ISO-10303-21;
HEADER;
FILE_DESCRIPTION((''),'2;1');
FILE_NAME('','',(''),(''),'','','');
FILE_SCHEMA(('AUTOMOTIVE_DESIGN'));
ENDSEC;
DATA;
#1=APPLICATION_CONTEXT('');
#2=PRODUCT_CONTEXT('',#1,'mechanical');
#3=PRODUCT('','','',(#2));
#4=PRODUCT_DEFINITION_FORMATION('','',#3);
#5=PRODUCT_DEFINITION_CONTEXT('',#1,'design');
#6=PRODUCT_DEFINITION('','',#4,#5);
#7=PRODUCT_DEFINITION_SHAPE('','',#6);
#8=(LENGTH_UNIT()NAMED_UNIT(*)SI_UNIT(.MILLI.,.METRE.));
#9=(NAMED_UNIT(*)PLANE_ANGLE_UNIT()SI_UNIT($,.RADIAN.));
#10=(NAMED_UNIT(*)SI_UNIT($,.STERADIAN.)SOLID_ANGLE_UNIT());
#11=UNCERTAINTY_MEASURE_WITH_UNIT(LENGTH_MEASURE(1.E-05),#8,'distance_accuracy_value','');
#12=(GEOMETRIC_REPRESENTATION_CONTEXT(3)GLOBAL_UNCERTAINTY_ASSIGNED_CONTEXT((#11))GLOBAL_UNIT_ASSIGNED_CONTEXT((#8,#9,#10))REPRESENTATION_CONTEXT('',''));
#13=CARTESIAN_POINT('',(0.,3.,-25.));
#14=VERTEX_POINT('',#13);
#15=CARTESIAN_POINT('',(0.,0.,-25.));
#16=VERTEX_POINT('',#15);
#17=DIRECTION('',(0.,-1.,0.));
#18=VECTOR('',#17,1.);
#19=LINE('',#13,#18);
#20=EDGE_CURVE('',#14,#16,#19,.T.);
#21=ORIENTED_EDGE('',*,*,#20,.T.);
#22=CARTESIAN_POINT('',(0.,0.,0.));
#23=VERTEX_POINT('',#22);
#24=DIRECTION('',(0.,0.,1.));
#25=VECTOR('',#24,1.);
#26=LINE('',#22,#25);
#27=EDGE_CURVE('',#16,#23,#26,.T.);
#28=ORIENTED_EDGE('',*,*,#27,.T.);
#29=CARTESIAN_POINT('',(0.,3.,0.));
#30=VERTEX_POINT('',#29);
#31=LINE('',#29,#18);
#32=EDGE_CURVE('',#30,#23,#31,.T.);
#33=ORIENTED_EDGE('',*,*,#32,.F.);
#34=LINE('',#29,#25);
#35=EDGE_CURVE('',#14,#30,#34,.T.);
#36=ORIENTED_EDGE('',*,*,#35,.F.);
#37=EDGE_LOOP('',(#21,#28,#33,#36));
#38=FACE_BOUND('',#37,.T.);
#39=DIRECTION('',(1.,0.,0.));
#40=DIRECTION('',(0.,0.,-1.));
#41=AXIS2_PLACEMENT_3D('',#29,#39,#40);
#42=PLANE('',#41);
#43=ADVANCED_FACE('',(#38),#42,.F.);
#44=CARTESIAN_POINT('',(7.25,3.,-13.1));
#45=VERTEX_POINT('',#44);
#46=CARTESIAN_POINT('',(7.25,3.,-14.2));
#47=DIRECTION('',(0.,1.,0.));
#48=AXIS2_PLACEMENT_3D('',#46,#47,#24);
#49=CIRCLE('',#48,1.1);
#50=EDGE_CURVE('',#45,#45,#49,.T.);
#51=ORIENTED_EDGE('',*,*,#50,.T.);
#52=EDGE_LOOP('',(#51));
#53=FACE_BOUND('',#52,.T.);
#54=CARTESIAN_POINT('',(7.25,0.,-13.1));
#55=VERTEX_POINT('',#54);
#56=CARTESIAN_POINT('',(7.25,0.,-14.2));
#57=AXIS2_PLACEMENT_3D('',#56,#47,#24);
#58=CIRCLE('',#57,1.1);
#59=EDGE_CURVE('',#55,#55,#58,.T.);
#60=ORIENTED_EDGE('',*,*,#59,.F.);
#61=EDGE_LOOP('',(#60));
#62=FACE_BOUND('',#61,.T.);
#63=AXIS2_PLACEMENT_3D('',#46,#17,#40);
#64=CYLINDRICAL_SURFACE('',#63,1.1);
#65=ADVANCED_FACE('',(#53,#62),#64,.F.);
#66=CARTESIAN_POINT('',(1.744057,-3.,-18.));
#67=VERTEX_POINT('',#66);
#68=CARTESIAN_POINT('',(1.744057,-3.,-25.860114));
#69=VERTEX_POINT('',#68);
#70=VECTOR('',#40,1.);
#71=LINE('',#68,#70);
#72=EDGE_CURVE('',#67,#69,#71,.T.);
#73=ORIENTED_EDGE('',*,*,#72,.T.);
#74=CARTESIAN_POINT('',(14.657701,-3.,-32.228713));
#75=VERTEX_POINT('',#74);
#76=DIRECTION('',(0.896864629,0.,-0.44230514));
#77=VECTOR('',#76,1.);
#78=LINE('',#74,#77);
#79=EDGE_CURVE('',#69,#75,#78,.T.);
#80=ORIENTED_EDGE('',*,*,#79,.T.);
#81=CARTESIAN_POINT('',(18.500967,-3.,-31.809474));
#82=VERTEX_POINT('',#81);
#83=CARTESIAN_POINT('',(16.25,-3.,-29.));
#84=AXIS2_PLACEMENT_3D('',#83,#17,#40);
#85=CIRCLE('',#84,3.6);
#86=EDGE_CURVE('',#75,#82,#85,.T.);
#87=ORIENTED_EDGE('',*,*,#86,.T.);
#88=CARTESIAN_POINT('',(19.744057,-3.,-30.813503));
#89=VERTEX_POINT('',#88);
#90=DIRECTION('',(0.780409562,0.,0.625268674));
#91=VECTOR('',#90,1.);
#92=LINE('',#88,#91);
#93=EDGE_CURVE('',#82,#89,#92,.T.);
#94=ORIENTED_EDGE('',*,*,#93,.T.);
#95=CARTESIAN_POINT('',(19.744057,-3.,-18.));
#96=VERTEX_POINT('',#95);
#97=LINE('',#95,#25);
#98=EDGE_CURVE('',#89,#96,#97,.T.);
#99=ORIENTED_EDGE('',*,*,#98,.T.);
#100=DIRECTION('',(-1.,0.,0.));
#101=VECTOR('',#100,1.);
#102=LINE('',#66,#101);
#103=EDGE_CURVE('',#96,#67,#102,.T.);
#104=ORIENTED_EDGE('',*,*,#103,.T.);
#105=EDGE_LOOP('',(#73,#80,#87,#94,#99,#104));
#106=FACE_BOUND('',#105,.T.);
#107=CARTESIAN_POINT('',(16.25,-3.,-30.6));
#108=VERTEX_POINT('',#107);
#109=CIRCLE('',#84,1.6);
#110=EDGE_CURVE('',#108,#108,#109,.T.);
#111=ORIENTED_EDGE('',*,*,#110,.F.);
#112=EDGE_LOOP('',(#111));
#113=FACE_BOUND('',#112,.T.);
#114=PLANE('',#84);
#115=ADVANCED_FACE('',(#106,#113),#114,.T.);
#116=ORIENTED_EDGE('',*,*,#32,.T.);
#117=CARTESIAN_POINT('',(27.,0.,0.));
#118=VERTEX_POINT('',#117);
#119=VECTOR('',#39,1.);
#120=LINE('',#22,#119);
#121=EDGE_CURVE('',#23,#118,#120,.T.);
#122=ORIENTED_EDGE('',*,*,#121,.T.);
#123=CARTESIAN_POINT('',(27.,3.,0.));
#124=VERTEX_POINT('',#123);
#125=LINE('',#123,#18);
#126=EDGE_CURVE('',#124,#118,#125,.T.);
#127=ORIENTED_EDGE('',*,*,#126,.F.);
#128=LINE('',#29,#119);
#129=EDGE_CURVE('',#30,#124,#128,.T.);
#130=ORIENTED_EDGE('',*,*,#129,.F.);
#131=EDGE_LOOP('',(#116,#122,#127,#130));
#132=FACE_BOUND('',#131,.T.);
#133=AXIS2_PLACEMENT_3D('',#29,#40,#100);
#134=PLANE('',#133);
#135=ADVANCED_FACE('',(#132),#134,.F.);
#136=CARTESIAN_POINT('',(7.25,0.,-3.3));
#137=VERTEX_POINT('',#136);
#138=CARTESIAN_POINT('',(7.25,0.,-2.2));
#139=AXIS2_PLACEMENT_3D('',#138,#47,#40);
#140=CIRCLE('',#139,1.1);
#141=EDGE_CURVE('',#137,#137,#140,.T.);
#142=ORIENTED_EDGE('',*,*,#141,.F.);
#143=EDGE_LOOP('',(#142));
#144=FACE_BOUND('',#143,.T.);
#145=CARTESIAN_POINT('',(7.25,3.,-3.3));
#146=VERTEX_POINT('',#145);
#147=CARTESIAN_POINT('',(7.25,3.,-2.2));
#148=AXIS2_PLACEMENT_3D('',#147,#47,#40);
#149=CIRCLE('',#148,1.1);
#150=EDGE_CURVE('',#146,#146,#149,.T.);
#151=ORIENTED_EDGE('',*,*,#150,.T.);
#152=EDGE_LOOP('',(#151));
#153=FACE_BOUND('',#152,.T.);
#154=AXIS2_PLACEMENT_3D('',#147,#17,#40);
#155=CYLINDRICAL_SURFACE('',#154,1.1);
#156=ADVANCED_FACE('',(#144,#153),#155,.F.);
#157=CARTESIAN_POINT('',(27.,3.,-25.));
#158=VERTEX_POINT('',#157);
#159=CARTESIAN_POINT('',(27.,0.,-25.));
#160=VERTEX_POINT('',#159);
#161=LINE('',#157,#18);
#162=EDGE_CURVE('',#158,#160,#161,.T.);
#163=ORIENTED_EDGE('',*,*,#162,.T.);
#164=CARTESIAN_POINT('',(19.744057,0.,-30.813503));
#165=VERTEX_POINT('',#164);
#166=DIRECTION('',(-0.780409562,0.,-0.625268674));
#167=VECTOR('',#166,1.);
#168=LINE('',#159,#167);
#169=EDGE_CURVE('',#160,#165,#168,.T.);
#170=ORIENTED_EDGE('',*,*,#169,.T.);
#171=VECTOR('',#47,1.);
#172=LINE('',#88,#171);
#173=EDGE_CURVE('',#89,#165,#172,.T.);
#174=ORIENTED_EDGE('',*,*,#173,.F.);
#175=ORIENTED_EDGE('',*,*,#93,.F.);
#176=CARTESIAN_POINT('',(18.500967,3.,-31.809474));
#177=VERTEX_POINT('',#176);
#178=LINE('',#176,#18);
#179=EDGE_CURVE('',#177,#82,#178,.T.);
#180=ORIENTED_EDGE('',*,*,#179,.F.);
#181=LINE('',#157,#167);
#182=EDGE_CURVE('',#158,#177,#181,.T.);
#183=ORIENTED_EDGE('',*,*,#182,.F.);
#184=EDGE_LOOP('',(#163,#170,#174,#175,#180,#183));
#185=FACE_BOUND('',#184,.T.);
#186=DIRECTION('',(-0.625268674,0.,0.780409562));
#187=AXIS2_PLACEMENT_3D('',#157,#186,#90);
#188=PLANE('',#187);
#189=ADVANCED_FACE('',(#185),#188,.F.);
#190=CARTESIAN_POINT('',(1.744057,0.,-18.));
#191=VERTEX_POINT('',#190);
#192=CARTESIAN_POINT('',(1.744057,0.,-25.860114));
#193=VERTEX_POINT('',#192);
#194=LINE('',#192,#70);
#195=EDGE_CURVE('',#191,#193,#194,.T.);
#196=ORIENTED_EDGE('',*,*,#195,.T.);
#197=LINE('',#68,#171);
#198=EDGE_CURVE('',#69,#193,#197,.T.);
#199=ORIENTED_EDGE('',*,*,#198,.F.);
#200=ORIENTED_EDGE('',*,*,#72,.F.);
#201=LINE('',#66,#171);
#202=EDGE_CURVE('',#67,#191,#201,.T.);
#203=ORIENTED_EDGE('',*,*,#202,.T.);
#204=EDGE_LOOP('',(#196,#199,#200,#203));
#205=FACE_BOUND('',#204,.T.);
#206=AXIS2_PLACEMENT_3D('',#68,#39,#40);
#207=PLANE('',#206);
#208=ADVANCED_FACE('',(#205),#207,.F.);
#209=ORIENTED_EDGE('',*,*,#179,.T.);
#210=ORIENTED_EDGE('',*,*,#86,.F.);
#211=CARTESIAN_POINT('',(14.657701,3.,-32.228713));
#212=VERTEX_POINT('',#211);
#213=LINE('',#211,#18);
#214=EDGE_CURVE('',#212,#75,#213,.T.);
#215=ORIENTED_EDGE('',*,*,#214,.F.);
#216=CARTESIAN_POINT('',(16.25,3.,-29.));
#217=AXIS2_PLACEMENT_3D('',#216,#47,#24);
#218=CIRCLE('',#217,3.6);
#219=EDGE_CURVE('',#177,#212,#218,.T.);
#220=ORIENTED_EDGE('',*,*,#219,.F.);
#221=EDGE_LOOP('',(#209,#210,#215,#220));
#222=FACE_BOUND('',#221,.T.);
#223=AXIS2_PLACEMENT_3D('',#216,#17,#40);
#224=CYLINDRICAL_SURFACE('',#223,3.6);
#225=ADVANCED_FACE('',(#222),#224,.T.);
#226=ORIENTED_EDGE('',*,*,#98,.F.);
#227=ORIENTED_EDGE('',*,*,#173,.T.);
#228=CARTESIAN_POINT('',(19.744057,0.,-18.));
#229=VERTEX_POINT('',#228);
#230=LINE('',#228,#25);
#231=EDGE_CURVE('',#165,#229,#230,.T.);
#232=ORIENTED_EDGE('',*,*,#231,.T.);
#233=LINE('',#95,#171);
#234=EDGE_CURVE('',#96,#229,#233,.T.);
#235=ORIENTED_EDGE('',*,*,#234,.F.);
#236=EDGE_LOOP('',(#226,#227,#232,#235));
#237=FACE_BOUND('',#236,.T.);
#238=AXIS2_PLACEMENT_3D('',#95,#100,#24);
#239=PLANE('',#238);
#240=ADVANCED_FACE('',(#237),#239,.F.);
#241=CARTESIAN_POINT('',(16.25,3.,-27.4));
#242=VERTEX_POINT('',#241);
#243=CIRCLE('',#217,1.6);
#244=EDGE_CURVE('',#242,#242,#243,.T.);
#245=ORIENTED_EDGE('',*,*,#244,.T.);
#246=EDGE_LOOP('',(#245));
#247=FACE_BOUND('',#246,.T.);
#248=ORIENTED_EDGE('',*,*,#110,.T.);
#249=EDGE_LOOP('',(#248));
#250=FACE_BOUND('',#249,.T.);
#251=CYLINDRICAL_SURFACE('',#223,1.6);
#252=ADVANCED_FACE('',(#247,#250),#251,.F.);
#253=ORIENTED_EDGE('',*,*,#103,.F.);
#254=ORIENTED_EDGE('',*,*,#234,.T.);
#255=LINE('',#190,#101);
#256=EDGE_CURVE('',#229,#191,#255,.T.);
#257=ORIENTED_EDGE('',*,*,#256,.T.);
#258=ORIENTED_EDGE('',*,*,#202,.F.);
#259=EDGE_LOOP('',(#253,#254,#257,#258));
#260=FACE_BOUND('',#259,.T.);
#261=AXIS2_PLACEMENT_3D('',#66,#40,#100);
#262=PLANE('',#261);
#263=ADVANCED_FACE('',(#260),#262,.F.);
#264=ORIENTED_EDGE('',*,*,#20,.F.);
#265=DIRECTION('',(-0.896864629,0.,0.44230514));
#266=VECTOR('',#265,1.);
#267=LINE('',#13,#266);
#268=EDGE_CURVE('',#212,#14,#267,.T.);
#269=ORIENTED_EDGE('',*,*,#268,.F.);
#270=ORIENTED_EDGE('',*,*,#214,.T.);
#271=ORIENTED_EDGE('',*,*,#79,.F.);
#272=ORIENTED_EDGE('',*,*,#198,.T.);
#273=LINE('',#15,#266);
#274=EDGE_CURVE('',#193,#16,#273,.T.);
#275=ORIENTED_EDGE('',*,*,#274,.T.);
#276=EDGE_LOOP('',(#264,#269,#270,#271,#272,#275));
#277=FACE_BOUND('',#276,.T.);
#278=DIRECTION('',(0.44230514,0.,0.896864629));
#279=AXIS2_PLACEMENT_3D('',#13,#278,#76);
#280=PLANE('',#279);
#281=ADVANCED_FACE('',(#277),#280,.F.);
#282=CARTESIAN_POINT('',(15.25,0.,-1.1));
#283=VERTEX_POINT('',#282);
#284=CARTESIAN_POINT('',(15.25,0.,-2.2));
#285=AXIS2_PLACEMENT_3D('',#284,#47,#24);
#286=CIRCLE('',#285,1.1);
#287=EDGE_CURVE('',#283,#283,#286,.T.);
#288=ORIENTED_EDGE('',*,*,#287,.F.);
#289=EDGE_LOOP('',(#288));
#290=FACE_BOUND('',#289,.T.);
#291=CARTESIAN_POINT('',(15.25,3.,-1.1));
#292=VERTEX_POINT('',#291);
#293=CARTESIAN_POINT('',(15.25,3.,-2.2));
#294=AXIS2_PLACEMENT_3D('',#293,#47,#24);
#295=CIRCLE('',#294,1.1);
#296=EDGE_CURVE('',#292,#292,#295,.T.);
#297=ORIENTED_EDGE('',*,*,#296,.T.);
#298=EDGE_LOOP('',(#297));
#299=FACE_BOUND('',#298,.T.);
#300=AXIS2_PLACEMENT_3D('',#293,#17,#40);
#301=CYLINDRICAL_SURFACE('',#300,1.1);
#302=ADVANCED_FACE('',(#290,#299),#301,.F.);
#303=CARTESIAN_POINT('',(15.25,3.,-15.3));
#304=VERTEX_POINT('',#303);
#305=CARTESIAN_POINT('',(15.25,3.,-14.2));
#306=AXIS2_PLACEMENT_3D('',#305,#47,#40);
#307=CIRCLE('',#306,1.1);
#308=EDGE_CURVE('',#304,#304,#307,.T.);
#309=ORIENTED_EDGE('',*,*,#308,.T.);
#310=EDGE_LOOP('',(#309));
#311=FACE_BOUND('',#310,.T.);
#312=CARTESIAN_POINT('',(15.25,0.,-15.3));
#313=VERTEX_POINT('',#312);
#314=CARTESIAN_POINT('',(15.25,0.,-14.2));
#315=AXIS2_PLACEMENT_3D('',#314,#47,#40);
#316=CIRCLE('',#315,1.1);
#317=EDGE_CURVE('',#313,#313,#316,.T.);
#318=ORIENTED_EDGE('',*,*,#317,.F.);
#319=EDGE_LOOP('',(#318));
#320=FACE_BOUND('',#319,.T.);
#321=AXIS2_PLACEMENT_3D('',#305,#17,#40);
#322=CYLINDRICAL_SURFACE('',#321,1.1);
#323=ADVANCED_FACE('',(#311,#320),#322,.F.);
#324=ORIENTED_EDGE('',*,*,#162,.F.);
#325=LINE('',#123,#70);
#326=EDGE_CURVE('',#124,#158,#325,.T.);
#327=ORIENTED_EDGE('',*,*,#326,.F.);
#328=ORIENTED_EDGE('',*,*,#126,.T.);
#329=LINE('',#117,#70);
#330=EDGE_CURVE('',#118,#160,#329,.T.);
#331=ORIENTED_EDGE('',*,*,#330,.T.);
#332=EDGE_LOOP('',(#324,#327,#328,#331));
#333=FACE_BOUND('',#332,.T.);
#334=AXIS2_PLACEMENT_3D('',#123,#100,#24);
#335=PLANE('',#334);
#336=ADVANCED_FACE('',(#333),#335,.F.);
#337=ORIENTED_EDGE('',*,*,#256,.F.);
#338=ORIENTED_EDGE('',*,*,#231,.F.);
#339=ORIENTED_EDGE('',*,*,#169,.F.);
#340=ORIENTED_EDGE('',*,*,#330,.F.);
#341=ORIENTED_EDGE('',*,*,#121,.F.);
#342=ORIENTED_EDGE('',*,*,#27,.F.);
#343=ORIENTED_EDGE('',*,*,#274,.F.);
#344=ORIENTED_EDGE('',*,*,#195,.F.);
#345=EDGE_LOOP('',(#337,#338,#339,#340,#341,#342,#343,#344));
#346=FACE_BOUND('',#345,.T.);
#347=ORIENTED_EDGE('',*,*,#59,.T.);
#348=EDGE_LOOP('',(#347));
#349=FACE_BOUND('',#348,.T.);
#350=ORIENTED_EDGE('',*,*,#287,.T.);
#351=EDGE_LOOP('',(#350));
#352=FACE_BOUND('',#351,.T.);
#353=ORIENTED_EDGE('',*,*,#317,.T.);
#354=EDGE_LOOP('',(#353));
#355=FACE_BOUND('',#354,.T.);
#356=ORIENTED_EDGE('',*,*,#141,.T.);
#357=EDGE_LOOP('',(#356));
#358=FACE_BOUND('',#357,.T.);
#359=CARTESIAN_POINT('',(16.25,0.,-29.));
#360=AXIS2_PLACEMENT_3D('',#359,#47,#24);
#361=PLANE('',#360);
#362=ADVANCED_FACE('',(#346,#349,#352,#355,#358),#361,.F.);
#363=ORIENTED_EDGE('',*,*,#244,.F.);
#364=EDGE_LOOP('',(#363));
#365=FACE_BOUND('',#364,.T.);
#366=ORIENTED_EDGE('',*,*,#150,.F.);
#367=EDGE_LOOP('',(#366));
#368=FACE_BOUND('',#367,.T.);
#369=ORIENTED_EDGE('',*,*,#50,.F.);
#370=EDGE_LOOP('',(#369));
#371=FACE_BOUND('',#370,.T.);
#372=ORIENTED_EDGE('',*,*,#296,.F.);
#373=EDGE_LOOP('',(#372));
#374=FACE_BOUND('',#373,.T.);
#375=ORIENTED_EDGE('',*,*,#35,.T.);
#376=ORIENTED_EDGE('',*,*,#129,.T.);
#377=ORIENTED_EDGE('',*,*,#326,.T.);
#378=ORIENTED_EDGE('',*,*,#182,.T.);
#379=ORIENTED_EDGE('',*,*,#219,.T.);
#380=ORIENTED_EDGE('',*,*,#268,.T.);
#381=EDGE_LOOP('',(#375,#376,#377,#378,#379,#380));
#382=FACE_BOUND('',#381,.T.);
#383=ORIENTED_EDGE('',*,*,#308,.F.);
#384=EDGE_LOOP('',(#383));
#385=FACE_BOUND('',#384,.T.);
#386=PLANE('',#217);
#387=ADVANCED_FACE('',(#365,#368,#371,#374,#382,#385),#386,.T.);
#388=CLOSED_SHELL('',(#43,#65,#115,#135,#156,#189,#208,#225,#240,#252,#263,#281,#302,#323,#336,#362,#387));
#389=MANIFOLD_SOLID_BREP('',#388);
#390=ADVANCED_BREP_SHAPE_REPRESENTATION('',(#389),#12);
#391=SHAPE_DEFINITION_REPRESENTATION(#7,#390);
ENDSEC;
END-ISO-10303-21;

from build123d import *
from build123d.topology import SkipClean

# Parameters (mm, degrees)
SKETCH_2_R      = 1.1
SKETCH_2_R_2    = 1.6
EXTRUDE_1_DEPTH = 3
EXTRUDE_START   = 3
SKETCH_3_R      = 1.6
EXTRUDE_2_DEPTH = 3


with BuildPart() as part:
    # 草图2 → 凸台-拉伸1 (new body)
    with BuildSketch(Plane(origin=(0, 0, 0), x_dir=(1, 0, 0), z_dir=(0, 1, 0))):
        with BuildLine():
            Line((0, 0), (27, 0))
            Line((27, 0), (27, 25))
            Line((27, 25), (18.500967228, 31.809474424))
            ThreePointArc((18.500967228, 31.809474424), (16.640386089, 32.578770557), (14.657701498, 32.228712666))
            Line((14.657701498, 32.228712666), (0, 25))
            Line((0, 25), (0, 0))
        make_face()
        with Locations(Location((7.25, 14.2, 0), (0, 0, 270))):
            Circle(SKETCH_2_R, mode=Mode.SUBTRACT)
        with Locations(Location((15.25, 14.2, 0), (0, 0, 90))):
            Circle(SKETCH_2_R, mode=Mode.SUBTRACT)
        with Locations(Location((15.25, 2.2, 0), (0, 0, 270))):
            Circle(SKETCH_2_R, mode=Mode.SUBTRACT)
        with Locations(Location((7.25, 2.2, 0), (0, 0, 90))):
            Circle(SKETCH_2_R, mode=Mode.SUBTRACT)
        with Locations(Location((16.25, 29, 0), (0, 0, 270))):
            Circle(SKETCH_2_R_2, mode=Mode.SUBTRACT)
    extrude(amount=EXTRUDE_1_DEPTH)

    # 草图3 → 凸台-拉伸2 (add)
    with SkipClean():  # the faces are left unmerged after this step: merging them gives an invalid solid
        with BuildSketch(Plane.XZ.offset(EXTRUDE_START)):
            with BuildLine():
                Line((19.744057368, -30.813503383), (18.500967228, -31.809474424))
                ThreePointArc((18.500967228, -31.809474424), (16.640386089, -32.578770557), (14.657701498, -32.228712666))
                Line((14.657701498, -32.228712666), (1.744057368, -25.860113681))
                Line((1.744057368, -25.860113681), (1.744057368, -18))
                Line((1.744057368, -18), (19.744057368, -18))
                Line((19.744057368, -18), (19.744057368, -30.813503383))
            make_face()
            with Locations(Location((16.25, -29, 0), (0, 0, 270))):
                Circle(SKETCH_3_R, mode=Mode.SUBTRACT)
        extrude(amount=-EXTRUDE_2_DEPTH)


solid = part.part
